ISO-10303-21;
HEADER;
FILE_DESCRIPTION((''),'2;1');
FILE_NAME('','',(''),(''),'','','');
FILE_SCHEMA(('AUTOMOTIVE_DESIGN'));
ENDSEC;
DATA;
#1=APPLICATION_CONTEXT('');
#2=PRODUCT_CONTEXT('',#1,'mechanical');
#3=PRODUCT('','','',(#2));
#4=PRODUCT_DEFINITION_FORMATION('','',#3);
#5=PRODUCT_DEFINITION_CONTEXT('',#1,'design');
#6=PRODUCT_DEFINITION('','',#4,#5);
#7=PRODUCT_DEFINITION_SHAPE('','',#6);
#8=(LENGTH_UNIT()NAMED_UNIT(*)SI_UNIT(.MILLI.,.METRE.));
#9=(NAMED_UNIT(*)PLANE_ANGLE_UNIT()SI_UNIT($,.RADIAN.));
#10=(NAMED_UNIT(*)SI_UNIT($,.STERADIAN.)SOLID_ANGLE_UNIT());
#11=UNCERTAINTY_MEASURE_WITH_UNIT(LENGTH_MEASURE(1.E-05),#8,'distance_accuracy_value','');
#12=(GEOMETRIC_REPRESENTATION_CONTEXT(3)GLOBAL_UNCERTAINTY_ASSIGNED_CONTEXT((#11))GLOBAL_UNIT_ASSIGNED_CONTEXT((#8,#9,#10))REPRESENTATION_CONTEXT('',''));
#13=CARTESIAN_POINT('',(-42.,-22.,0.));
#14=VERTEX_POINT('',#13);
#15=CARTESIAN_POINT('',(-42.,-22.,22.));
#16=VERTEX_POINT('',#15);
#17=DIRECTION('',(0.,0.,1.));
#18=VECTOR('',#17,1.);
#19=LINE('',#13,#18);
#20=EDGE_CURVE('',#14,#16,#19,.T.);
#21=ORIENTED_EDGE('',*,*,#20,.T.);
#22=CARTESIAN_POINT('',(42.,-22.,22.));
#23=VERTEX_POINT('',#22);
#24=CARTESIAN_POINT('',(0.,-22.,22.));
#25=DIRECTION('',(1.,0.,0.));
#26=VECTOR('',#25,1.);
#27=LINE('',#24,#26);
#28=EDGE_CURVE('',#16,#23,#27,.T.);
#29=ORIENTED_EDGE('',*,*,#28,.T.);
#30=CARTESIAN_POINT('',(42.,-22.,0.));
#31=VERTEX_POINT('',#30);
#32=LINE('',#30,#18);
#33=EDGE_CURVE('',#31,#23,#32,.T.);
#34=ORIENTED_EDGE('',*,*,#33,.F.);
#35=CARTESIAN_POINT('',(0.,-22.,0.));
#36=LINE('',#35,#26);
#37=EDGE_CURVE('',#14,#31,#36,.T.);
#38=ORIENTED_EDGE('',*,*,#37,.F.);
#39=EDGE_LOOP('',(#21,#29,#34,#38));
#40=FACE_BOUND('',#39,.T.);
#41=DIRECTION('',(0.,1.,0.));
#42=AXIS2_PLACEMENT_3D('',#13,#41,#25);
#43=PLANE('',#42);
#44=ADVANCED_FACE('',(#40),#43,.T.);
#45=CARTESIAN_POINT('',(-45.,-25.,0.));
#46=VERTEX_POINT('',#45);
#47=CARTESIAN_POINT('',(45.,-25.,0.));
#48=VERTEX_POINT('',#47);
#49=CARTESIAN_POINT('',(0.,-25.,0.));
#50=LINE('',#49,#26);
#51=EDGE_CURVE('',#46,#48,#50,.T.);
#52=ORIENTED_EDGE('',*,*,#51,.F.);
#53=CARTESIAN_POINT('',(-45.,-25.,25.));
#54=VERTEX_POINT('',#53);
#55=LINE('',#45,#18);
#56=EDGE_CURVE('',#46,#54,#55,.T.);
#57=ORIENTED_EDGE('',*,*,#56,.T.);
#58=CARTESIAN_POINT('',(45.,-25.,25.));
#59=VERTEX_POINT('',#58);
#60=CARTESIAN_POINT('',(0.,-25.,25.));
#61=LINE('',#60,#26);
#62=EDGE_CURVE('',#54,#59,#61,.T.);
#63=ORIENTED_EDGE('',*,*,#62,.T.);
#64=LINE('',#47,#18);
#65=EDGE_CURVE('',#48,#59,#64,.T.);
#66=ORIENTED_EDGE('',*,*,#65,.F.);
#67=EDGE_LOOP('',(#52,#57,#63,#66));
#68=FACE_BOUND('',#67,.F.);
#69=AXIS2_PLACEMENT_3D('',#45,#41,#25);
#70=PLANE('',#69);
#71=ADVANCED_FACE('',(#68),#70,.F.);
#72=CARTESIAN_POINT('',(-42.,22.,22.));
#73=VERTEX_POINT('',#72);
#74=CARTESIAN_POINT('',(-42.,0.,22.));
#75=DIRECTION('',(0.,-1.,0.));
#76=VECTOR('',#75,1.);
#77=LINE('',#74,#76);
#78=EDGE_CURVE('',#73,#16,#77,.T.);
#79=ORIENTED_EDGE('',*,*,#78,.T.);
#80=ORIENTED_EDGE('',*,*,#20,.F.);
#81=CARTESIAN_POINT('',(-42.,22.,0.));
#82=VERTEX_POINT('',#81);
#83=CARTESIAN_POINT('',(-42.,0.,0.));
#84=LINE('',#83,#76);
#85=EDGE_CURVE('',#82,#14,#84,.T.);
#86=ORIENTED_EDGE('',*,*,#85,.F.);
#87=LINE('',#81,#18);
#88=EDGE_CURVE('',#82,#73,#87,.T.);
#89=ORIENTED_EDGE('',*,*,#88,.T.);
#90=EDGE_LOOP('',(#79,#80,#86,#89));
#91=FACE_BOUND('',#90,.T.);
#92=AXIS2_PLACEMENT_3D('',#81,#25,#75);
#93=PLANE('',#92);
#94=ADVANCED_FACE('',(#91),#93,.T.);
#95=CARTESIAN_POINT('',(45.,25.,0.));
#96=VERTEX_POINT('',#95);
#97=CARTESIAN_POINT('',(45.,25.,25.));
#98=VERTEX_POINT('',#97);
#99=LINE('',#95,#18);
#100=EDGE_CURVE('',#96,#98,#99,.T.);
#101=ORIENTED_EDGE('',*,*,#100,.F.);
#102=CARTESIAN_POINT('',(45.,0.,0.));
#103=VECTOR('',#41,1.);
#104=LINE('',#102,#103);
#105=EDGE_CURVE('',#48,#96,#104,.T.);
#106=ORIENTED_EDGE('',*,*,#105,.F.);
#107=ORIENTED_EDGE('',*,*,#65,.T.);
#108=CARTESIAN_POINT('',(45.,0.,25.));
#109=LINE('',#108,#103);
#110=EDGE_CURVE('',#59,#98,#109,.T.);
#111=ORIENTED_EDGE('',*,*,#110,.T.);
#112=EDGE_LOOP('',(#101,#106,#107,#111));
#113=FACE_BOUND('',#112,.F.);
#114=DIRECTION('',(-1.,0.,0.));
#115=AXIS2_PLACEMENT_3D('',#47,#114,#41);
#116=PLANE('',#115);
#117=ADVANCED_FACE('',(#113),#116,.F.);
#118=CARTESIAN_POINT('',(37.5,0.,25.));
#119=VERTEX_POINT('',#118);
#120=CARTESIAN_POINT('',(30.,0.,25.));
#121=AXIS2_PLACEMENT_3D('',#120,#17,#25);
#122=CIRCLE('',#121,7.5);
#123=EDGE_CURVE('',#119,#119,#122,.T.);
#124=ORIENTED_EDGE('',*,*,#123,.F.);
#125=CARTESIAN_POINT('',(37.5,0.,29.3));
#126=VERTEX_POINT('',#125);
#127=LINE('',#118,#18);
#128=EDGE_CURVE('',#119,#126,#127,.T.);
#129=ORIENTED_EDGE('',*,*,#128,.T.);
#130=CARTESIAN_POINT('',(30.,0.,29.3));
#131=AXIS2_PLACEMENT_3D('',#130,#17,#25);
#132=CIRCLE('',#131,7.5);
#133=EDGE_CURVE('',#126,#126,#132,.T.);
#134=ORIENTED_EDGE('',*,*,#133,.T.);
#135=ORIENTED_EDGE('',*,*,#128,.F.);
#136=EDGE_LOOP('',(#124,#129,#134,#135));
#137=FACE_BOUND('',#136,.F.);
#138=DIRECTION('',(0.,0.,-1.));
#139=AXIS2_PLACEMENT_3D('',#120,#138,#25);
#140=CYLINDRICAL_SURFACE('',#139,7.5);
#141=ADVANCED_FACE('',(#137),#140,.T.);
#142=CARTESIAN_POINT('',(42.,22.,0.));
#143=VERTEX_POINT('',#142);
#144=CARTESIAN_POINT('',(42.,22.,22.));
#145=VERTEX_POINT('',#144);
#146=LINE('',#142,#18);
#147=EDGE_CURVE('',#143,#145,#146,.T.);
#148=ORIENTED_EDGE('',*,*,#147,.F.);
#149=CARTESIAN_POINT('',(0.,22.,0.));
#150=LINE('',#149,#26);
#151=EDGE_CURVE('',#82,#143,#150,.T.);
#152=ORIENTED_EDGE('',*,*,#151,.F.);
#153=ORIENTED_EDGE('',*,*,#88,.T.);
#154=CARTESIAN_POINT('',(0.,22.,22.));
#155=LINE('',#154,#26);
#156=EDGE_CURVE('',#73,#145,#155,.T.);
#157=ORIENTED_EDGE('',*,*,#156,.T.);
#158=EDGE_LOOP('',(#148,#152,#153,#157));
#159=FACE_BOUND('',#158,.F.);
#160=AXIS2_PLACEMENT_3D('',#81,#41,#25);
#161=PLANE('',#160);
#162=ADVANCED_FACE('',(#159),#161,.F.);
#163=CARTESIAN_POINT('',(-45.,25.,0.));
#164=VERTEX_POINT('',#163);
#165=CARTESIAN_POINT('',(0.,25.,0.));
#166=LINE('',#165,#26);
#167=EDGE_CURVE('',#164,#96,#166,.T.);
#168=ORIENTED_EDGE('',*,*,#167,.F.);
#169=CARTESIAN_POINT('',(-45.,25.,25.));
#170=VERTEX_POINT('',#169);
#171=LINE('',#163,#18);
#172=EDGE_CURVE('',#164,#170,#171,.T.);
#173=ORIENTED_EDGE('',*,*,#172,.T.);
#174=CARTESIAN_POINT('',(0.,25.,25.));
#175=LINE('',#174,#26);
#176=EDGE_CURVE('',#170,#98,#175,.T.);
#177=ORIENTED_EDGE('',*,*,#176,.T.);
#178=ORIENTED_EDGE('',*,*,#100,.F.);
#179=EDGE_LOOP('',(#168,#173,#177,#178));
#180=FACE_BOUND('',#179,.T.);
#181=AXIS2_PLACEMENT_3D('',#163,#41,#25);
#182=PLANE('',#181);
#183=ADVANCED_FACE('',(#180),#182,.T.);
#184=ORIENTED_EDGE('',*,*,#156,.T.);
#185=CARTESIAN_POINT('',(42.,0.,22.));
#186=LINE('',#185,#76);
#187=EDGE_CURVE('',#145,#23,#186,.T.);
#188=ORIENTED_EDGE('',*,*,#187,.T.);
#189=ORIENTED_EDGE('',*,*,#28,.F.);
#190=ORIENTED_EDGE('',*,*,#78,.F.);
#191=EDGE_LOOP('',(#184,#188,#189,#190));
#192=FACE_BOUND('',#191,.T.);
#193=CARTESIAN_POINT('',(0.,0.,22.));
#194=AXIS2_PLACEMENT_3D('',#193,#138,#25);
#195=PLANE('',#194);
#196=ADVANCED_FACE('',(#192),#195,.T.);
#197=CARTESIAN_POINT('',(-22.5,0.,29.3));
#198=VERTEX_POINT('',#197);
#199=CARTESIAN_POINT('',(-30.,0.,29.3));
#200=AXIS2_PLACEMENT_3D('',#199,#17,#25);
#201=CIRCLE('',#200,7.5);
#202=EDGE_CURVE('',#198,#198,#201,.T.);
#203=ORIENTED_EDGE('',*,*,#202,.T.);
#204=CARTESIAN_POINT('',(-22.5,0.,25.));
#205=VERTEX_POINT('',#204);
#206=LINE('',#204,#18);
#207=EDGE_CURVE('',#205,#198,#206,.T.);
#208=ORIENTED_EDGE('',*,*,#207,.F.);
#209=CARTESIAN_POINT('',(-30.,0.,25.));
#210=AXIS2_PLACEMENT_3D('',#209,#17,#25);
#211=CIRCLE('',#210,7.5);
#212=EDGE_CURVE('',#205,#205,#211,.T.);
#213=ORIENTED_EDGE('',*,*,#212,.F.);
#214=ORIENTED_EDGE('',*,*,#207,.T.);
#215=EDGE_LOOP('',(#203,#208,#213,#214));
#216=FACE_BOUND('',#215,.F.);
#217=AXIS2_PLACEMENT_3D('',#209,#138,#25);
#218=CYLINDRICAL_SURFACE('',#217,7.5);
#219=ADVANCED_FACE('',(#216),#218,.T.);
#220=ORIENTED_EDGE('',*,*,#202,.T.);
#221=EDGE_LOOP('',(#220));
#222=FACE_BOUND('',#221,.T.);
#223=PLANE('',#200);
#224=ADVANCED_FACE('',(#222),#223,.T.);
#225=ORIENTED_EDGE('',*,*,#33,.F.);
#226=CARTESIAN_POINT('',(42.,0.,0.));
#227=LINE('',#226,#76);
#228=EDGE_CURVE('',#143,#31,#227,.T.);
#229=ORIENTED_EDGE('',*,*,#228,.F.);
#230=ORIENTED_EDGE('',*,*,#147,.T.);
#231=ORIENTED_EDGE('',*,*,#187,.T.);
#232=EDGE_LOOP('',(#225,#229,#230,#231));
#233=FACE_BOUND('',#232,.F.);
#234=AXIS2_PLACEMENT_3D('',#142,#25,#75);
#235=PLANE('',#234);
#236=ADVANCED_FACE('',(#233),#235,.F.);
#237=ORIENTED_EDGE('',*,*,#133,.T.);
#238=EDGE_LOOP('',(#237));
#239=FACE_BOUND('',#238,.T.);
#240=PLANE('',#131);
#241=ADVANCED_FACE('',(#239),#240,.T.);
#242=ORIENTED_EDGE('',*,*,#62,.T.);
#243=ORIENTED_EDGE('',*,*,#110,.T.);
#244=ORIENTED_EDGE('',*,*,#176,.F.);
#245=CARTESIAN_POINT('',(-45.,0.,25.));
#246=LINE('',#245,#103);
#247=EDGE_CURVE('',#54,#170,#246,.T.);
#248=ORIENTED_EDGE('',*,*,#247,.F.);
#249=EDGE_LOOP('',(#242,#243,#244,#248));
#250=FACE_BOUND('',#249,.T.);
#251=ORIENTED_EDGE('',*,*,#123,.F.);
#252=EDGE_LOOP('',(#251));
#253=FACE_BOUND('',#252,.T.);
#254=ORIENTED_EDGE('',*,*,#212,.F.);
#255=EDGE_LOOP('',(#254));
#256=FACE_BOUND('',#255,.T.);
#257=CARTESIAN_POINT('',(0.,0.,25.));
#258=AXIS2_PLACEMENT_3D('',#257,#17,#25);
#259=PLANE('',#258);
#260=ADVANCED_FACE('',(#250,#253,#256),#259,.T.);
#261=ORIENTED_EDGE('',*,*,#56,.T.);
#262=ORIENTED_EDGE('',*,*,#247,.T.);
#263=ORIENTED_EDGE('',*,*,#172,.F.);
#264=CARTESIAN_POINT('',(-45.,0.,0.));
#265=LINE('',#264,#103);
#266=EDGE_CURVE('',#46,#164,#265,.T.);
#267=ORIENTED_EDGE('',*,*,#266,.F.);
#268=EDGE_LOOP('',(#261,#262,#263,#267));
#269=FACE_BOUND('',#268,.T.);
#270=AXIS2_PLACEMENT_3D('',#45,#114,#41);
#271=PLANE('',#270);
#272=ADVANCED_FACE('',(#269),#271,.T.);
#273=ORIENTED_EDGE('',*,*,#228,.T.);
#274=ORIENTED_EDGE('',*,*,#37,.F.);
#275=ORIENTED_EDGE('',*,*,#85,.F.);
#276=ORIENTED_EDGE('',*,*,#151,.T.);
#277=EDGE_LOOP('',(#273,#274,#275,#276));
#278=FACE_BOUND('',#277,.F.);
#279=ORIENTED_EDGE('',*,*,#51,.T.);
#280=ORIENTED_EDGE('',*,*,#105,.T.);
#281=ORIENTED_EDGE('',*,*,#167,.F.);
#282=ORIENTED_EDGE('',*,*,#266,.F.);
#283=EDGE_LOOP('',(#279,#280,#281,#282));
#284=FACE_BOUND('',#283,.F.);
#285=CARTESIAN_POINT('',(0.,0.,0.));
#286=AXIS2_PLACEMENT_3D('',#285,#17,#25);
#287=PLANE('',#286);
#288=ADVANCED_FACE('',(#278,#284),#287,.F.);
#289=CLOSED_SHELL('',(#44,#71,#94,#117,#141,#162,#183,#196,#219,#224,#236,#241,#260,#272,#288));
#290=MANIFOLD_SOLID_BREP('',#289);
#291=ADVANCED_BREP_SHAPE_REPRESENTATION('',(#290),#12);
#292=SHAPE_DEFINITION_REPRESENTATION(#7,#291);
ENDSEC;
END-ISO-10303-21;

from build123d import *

# Parameters (mm, degrees)
F0_W     = 90
F0_H     = 50
F1_DEPTH = 25
F2_R     = 7.5
F3_DEPTH = 4.3
F4_W     = 84
F4_H     = 44
F5_DEPTH = 22


with BuildPart() as f1:
    # F0 (on Top) → F1 (new body)
    with BuildSketch(Plane.XY):
        Rectangle(F0_W, F0_H)
    extrude(amount=F1_DEPTH)

    # F2 (on face) → F3 (join)
    with BuildSketch(Plane.XY.offset(25)):
        with Locations((30, 0)):
            Circle(F2_R)
        with Locations((-30, 0)):
            Circle(F2_R)
    extrude(amount=F3_DEPTH)

    # F4 (on face) → F5 (cut)
    with BuildSketch(Plane(origin=(0, 0, 0), x_dir=(1, 0, 0), z_dir=(0, 0, -1))):
        Rectangle(F4_W, F4_H)
    extrude(amount=-F5_DEPTH, mode=Mode.SUBTRACT)


solid = f1.part
